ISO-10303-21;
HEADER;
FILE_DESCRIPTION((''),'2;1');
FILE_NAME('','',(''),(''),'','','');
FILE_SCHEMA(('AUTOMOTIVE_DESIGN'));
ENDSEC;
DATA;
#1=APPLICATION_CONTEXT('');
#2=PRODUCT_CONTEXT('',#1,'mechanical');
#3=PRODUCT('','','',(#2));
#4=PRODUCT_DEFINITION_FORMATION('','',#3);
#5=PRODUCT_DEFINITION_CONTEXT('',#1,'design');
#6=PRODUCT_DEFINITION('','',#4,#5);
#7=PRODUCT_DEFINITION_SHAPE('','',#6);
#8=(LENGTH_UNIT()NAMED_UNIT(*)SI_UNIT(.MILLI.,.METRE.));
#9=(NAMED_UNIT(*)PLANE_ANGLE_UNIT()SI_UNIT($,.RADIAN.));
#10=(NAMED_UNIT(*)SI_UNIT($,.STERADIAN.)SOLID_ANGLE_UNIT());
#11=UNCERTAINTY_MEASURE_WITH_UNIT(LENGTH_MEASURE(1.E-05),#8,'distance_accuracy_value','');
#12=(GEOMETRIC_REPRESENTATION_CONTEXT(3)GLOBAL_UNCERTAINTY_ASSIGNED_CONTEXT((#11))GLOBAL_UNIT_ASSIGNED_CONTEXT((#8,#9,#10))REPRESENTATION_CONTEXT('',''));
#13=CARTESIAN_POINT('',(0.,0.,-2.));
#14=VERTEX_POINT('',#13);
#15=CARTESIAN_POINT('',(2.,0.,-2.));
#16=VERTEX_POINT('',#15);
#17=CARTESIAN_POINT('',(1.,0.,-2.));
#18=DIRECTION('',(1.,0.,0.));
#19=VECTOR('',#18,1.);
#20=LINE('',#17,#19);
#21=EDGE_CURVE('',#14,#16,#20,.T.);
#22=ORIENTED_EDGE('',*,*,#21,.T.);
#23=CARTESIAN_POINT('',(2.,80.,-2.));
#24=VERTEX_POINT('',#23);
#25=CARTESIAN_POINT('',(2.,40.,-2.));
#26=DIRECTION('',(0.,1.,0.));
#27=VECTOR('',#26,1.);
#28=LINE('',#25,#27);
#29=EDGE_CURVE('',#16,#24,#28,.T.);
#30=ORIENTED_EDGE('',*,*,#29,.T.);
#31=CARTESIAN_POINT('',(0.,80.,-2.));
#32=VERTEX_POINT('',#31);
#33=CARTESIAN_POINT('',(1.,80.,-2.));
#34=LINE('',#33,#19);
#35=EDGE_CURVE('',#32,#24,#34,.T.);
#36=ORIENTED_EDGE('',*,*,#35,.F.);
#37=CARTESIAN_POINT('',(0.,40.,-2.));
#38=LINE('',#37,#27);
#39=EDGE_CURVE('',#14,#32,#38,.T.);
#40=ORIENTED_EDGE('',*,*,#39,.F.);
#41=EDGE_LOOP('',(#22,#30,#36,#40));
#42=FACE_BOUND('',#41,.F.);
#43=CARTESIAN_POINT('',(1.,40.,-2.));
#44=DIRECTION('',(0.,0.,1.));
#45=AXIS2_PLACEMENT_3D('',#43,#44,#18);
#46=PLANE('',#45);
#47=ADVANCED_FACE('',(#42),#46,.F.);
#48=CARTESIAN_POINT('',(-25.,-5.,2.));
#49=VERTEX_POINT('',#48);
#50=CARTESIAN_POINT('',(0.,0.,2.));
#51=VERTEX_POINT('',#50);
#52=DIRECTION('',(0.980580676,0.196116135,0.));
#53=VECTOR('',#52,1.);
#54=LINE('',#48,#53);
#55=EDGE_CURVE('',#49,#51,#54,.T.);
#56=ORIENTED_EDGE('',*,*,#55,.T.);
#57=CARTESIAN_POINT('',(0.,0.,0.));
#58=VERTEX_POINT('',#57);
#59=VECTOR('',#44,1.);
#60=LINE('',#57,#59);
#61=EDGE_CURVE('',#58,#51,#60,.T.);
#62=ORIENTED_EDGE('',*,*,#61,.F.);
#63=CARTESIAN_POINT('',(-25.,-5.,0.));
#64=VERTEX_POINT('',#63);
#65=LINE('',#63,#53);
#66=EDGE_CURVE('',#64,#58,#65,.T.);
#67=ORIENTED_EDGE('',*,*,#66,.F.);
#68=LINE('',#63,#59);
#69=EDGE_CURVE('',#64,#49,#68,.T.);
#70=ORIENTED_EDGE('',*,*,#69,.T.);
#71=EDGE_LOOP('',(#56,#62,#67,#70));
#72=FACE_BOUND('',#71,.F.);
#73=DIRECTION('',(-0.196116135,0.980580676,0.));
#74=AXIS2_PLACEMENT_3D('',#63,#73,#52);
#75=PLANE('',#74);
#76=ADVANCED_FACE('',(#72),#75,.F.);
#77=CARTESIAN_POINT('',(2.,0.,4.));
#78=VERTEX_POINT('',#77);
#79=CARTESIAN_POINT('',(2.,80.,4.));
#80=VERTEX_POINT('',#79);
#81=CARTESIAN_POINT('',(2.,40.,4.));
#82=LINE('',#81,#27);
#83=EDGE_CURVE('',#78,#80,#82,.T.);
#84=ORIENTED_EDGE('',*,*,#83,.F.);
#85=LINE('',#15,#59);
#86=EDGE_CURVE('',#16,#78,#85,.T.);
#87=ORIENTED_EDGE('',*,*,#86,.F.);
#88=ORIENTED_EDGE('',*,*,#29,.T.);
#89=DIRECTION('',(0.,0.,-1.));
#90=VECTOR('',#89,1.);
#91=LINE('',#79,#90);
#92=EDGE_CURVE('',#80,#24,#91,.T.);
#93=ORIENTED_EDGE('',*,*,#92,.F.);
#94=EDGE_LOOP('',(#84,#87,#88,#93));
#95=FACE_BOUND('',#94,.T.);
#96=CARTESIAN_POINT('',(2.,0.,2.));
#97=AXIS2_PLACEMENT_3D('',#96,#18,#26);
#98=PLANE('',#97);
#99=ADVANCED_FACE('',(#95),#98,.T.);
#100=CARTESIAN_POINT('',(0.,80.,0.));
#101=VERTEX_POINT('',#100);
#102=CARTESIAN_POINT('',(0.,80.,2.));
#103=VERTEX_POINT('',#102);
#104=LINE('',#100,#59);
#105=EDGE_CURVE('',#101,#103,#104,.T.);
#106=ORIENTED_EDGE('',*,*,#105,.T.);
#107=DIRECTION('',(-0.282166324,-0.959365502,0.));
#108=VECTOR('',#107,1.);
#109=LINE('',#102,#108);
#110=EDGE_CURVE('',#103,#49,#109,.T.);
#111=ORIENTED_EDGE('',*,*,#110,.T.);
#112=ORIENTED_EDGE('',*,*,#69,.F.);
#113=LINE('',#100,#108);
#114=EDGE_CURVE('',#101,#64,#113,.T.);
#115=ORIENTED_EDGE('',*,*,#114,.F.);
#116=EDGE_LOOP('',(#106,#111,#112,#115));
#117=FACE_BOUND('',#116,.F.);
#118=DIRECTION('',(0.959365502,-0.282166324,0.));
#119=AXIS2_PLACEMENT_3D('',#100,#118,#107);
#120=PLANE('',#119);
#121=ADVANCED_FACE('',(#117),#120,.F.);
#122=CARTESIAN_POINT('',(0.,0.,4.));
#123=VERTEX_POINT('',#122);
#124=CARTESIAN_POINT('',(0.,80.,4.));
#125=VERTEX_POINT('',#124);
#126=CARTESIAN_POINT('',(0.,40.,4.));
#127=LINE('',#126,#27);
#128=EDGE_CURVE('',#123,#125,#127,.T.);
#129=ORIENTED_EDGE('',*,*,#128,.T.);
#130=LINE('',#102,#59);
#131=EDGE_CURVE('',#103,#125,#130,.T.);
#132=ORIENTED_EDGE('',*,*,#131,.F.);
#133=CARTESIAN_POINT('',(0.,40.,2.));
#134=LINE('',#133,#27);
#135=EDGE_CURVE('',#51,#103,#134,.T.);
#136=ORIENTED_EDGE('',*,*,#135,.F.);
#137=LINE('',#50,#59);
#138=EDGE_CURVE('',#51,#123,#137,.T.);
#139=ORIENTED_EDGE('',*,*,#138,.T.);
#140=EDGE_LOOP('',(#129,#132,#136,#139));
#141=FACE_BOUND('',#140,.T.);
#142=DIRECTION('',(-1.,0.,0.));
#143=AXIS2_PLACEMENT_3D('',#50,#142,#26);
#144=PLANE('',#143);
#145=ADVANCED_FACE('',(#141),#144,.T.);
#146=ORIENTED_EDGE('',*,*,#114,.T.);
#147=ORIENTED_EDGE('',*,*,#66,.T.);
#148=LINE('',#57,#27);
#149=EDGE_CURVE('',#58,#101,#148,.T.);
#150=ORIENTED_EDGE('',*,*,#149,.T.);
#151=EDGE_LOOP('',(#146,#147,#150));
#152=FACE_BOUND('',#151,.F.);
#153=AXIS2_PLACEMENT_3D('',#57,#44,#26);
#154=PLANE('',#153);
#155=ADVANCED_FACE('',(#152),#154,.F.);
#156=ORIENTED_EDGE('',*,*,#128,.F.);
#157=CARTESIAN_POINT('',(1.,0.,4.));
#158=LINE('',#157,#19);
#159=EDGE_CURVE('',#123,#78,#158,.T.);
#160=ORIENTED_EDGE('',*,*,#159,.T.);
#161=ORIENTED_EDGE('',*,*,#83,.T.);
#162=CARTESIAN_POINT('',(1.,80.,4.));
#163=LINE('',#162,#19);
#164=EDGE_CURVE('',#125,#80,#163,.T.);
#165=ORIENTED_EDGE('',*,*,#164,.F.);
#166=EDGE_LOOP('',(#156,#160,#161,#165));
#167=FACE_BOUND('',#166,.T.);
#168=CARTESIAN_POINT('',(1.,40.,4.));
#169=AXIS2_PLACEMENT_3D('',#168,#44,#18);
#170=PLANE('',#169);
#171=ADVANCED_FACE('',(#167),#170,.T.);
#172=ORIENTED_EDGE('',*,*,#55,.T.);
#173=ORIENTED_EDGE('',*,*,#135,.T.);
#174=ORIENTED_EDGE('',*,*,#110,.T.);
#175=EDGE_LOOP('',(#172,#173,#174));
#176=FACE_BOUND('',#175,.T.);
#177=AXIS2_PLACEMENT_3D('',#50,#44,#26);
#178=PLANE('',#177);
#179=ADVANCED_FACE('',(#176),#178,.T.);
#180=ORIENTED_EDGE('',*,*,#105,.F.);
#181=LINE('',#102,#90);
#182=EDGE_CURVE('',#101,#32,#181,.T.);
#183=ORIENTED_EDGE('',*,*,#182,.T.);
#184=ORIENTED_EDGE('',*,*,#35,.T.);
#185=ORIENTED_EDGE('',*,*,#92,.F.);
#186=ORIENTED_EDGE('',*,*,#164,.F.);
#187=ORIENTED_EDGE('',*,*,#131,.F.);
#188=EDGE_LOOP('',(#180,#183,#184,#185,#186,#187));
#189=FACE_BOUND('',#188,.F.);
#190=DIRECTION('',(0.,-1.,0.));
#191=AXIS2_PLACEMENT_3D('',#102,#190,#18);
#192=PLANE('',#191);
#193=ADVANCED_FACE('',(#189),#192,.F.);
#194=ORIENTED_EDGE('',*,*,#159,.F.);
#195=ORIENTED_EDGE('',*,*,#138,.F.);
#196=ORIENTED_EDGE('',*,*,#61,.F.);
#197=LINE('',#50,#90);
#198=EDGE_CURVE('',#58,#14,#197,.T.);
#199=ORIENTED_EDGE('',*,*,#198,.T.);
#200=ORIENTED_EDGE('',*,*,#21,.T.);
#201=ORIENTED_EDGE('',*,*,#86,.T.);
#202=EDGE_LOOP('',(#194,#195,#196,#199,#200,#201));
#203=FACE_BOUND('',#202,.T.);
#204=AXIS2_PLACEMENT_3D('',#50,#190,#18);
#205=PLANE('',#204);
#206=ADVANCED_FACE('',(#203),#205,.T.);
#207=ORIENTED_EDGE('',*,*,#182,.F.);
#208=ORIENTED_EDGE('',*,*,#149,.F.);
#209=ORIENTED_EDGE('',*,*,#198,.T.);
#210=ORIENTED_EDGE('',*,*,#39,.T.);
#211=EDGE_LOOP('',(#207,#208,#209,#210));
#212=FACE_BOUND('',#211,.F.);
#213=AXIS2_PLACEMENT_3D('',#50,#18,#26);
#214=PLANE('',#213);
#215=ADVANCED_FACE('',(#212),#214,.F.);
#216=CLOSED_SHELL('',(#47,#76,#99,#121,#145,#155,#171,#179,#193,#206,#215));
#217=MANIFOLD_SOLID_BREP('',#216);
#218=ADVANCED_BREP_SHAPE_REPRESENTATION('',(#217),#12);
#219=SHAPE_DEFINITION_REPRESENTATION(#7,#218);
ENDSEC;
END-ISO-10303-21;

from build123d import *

# Parameters (mm, degrees)
F1_DEPTH  = 2
F1_FACE_W = 80
F1_FACE_H = 2
F2_DEPTH  = 2
F3_W      = 2
F3_H      = 80
F4_DEPTH  = 2
F5_DEPTH  = 4


with BuildPart() as f1:
    # F0 (on Top) → F1 (new body)
    with BuildSketch(Plane.XY):
        Polygon((-25, -5), (0, 0), (0, 80), align=None)
    extrude(amount=F1_DEPTH)

    # F1_face (on face) → F2 (join)
    with BuildSketch(Plane(origin=(0, 40, 1), x_dir=(0, 1, 0), z_dir=(1, 0, 0))):
        Rectangle(F1_FACE_W, F1_FACE_H)
    extrude(amount=F2_DEPTH)

    # F3 (on face) → F4 (join)
    with BuildSketch(Plane.XY.offset(2)):
        with Locations((1, 40)):
            Rectangle(F3_W, F3_H)
    extrude(amount=F4_DEPTH)

    # F3 (on face) → F5 (join)
    with BuildSketch(Plane.XY.offset(2)):
        with Locations((1, 40)):
            Rectangle(F3_W, F3_H)
    extrude(amount=-F5_DEPTH)


solid = f1.part
